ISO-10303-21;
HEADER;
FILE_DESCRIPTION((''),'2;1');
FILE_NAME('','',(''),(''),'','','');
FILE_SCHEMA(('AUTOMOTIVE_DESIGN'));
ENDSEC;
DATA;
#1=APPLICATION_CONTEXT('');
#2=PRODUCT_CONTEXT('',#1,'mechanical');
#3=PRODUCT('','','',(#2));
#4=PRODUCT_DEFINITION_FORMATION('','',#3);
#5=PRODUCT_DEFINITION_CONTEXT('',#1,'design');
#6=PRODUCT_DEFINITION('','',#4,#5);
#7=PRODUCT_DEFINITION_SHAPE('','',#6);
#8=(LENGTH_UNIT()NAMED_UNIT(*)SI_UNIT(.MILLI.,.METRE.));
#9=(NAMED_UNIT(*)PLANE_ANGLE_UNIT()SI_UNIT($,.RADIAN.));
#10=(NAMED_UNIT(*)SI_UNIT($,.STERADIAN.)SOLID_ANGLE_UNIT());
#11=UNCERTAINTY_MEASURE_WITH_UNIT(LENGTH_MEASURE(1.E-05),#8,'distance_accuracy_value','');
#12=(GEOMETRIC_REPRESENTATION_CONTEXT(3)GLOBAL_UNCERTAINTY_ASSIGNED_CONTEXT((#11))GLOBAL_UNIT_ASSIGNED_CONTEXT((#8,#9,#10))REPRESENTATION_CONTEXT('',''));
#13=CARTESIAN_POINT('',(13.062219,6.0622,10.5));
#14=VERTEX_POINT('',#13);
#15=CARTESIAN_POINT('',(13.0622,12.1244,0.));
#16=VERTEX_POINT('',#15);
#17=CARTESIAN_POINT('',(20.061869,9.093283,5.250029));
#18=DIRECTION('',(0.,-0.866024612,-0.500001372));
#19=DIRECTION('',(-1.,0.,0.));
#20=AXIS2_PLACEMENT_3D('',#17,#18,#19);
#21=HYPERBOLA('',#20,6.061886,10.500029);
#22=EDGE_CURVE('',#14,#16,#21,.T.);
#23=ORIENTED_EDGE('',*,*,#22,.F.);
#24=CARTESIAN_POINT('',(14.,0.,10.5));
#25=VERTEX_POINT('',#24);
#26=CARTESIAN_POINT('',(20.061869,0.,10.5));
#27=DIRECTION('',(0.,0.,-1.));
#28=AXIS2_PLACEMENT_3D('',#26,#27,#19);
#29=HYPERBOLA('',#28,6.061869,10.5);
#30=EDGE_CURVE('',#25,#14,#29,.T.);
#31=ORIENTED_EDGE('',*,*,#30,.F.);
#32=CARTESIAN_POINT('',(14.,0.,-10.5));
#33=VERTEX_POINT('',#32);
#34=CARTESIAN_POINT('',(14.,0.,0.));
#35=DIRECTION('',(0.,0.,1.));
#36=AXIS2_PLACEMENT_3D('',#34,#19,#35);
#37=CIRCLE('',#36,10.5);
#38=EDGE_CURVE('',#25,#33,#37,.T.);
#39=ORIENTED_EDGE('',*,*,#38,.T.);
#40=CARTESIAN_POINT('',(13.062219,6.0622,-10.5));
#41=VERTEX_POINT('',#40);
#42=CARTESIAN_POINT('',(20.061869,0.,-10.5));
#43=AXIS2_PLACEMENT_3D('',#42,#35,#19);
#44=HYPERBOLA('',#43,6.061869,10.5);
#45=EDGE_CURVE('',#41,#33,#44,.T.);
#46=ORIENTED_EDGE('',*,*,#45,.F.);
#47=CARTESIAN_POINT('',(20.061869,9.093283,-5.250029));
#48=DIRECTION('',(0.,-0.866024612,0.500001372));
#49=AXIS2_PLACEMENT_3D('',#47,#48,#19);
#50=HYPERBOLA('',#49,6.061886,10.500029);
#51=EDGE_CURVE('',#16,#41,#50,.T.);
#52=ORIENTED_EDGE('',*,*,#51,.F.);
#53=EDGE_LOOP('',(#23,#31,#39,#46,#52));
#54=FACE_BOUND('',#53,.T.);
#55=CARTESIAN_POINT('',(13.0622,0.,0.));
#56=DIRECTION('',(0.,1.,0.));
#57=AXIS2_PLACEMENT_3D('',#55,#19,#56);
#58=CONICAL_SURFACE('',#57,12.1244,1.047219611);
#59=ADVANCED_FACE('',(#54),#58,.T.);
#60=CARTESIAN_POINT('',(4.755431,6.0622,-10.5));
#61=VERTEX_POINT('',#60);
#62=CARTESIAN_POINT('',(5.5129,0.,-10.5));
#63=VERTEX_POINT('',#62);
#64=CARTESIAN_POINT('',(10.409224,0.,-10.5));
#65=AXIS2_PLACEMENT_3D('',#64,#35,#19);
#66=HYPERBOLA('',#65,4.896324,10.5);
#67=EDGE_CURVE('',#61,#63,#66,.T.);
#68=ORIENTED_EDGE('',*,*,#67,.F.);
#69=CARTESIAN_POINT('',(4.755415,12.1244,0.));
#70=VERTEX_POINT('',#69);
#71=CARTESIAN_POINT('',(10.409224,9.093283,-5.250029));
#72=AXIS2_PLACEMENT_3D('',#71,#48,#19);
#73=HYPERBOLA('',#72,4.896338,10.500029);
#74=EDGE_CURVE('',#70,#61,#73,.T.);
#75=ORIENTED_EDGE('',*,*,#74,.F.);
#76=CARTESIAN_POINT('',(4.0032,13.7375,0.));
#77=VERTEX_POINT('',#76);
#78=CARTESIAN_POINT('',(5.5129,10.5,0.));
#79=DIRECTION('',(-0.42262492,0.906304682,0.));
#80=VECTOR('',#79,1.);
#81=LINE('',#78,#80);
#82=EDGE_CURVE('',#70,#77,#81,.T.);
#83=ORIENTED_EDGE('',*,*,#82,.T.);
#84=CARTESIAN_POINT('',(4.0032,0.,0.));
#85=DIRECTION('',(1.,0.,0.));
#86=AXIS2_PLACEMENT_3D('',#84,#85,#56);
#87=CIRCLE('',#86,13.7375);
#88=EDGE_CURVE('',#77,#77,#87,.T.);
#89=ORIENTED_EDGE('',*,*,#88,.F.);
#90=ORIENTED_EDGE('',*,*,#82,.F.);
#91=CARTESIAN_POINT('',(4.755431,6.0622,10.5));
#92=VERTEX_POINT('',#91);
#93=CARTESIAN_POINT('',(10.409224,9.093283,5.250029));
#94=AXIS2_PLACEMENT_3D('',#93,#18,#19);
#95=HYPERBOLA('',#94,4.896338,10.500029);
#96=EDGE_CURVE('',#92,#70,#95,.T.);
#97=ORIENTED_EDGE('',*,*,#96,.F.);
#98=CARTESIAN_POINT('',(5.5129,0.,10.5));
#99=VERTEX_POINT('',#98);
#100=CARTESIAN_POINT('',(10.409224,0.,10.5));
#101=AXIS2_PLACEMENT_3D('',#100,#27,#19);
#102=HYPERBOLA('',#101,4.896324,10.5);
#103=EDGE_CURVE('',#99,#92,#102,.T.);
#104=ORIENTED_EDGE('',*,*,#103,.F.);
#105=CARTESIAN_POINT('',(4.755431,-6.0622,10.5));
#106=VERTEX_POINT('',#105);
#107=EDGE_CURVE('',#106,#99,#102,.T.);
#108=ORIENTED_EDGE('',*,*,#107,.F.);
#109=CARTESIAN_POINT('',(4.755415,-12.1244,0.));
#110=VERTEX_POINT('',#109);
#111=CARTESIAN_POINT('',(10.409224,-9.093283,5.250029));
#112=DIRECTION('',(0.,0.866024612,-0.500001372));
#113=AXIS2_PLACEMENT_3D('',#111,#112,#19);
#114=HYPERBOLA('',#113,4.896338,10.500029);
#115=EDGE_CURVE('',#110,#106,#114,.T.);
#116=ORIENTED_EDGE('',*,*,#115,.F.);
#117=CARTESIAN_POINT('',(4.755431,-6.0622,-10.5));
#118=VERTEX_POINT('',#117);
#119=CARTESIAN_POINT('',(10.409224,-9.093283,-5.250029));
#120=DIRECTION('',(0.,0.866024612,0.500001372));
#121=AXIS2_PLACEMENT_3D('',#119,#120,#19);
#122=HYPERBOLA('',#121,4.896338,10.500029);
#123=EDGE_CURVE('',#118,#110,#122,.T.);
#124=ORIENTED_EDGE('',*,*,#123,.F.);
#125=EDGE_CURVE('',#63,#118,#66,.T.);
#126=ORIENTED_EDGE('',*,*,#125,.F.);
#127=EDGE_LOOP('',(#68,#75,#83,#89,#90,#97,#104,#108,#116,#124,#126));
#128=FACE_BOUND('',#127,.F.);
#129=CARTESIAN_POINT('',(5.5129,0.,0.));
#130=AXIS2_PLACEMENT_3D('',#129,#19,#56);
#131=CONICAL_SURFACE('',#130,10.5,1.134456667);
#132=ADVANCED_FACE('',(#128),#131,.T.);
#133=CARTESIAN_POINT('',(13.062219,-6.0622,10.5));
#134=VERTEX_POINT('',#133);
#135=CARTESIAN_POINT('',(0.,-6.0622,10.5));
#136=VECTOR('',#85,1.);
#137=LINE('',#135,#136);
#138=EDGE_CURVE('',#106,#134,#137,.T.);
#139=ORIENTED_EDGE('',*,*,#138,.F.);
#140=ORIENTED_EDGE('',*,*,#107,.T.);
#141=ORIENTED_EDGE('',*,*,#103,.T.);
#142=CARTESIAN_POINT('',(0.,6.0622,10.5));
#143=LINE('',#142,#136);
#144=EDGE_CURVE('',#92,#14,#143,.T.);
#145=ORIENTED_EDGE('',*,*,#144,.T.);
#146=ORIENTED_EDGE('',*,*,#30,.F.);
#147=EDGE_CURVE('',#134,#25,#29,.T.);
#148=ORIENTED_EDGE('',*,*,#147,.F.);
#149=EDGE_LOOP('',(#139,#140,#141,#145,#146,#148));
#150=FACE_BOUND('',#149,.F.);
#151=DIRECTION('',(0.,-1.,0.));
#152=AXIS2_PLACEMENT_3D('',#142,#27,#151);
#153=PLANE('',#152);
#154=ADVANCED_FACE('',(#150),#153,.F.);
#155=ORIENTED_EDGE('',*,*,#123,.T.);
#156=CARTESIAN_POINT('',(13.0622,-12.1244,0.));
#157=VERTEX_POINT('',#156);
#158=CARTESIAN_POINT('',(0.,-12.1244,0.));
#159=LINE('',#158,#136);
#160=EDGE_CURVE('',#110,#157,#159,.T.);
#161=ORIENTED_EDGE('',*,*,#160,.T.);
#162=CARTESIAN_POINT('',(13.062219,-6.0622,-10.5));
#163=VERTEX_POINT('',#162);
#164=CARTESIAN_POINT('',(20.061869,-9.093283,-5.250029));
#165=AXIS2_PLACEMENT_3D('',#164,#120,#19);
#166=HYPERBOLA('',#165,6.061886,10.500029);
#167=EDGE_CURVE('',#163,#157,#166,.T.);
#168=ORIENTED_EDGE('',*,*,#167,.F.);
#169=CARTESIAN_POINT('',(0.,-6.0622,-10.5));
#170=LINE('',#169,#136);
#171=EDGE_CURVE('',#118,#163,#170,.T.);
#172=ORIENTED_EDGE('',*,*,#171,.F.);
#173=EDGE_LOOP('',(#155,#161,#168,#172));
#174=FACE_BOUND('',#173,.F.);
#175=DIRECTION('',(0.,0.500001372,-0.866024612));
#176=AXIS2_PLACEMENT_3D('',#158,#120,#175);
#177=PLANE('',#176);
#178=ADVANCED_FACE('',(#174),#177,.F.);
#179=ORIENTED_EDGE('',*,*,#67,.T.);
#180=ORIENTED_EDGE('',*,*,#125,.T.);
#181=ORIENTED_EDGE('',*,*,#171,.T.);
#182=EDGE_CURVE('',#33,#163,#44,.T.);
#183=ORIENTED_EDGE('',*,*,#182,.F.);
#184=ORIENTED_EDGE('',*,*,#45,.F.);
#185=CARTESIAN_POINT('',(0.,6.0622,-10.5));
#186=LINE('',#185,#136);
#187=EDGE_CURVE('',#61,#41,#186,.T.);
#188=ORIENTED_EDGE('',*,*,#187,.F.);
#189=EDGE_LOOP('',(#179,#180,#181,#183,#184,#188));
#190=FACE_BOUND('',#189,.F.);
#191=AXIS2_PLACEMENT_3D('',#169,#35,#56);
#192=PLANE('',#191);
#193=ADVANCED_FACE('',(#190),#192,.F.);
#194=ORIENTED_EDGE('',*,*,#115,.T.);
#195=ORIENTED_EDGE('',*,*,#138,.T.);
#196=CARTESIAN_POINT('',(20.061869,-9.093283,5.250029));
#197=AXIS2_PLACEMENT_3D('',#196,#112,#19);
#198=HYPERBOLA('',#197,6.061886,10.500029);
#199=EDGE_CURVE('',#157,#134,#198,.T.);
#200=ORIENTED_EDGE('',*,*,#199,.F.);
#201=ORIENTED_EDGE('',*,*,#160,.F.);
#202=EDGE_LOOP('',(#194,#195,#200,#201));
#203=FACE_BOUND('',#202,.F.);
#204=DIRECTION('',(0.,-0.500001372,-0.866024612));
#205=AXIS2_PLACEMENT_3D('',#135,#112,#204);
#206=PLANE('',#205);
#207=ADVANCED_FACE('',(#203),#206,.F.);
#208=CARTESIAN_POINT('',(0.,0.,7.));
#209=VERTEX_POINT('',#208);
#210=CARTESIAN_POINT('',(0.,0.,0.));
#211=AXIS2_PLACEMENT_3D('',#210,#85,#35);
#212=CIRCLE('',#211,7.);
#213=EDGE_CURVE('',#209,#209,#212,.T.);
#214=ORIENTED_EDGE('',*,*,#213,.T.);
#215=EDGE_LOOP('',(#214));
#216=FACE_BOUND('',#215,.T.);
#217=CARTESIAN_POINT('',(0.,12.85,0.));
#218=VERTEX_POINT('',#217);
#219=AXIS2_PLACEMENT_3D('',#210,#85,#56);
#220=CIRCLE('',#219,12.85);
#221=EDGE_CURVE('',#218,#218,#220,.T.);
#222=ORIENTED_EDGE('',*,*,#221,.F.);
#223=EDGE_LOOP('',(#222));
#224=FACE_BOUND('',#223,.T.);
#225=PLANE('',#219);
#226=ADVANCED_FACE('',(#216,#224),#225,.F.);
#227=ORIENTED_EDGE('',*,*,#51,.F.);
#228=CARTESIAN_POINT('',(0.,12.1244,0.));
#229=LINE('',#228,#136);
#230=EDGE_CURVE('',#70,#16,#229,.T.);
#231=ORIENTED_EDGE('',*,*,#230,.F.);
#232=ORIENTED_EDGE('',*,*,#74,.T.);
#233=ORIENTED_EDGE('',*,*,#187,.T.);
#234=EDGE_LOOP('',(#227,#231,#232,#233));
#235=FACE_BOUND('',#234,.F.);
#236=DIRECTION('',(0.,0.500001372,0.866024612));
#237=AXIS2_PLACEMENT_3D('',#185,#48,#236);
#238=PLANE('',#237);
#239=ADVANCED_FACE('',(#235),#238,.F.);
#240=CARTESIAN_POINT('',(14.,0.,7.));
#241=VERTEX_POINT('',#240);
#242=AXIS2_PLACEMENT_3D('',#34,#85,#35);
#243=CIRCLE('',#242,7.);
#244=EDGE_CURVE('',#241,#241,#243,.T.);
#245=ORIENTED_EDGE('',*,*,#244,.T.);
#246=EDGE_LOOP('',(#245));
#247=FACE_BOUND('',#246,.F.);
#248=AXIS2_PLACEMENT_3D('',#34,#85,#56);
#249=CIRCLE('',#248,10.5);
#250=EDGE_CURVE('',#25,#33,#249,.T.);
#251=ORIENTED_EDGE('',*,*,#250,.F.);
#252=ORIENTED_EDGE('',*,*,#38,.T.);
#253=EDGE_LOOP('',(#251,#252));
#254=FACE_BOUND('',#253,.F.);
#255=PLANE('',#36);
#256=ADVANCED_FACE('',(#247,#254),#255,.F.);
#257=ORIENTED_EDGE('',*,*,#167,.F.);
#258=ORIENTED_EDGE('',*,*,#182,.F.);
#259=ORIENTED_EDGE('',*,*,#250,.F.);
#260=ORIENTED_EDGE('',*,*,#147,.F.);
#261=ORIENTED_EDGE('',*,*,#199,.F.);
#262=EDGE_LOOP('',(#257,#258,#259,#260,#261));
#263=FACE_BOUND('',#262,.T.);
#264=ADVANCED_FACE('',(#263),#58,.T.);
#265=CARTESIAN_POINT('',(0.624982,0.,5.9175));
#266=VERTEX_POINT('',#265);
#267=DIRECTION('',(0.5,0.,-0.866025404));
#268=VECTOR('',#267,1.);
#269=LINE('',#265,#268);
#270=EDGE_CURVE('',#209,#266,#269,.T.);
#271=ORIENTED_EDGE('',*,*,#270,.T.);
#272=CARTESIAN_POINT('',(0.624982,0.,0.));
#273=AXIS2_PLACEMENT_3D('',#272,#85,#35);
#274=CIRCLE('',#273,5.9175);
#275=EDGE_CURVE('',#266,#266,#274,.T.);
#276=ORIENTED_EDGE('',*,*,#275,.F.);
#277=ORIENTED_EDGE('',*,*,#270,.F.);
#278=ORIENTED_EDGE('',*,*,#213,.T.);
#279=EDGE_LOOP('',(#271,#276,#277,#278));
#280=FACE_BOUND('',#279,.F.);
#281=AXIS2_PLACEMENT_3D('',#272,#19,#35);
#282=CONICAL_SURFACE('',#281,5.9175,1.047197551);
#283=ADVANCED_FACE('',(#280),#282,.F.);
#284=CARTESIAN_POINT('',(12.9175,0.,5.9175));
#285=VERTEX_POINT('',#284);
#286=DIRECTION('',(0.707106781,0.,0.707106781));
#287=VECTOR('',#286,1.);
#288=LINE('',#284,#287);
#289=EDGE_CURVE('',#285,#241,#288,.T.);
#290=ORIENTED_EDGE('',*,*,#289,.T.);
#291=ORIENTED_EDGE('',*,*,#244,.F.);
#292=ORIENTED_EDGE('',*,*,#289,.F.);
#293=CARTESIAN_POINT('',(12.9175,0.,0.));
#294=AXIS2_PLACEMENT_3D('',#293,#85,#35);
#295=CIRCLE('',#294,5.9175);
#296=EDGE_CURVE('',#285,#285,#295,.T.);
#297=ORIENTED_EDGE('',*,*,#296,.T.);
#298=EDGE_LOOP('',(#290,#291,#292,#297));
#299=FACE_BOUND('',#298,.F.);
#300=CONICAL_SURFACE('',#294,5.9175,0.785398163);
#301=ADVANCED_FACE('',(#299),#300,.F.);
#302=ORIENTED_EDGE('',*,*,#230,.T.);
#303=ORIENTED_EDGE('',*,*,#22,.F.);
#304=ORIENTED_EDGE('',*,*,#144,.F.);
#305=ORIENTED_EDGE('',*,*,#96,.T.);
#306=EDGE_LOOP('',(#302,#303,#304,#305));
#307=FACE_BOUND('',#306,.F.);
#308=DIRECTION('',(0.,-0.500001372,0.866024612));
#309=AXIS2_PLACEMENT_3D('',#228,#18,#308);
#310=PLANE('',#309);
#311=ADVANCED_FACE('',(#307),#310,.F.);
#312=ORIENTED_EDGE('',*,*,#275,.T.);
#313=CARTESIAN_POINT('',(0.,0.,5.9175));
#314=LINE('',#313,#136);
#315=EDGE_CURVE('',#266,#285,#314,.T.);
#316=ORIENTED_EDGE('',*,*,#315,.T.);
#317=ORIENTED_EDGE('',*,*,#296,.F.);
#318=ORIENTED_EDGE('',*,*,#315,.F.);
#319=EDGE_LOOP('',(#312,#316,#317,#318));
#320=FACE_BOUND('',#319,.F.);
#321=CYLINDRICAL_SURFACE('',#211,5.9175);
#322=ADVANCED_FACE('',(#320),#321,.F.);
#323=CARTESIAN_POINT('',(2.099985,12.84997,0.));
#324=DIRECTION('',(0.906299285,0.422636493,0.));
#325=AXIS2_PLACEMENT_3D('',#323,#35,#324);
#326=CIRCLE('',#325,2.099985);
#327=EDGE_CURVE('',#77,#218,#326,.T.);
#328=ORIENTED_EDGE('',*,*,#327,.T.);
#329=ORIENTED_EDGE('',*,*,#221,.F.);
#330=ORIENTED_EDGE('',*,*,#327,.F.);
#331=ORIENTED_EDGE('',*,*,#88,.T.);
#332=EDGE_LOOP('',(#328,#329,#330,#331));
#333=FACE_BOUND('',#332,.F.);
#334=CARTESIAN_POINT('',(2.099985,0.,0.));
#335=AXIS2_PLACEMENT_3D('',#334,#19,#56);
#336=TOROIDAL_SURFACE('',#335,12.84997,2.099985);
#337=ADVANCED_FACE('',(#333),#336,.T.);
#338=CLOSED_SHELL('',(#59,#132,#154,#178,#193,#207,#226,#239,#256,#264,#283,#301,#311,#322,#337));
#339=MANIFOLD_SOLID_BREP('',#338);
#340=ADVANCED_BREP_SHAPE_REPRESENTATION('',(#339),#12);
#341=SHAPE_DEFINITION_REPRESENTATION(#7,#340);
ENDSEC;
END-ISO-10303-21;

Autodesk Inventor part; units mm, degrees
ref_plane "YZ Plane" through (0, 0, 0) normal (1, 0, 0) x (0, 1, 0)
ref_plane "XZ Plane" through (0, 0, 0) normal (0, 1, 0) x (-1, 0, 0)
sketch "Sketch1" plane through (0, 0, 0) normal (0, 0, 1) x (1, 0, 0)
  line L0 (-3.2274, 0) -> (16.8712, 0) projected
  line L1 (5.5129, 10.5) -> (4.0032, 13.7375)
  line L2 (5.5129, 10.5) -> (14, 10.5) construction
  line L3 (14, 10.5) -> (14, 0) construction
  arc A0 (4.0032, 13.7375) -> (0, 12.85) centre (2.1, 12.85) ccw
  line L4 (5.5129, 10.5) -> (5.5129, 0)
  line L5 (0, -3.0688) -> (0, 18.4128) projected
  point P0 (0, 0)
  dimension "d2" = 21
  dimension "d4" = 29.9
  dimension "d5" = 2.1
  dimension "d15" = 14
  dimension "d16" = 25
revolve "Ring" add sketch "Sketch1" angle 360 about axis through (-10, 0, 0) along (1, 0, 0)
sketch "Sketch2" plane through (0, 0, 0) normal (-1, 0, 0) x (0, 0, 1)
  circle A0 centre (0, 0) radius 4.9
  line L0 (-10.5, -6.0622) -> (-10.5, 6.0622)
  line L1 (-10.5, 6.0622) -> (0, 12.1244)
  line L2 (0, 12.1244) -> (10.5, 6.0622)
  line L3 (10.5, 6.0622) -> (10.5, -6.0622)
  line L4 (10.5, -6.0622) -> (0, -12.1244)
  line L5 (0, -12.1244) -> (-10.5, -6.0622)
  circle A1 centre (0, 0) radius 12.85 projected
  dimension "d6" = 24.2487
extrude "Body" add sketch "Sketch2" against normal blind 14 contours A0 | L0 L1 L2 L3 L4 L5
sketch "Sketch3" plane through (0, 0, 0) normal (0, 0, 1) x (1, 0, 0)
  line L0 (4.7555, 12.1244) -> (14, 12.1244) projected
  line L1 (14, 6.0622) -> (14, 12.1244) projected
  line L2 (0, -12.85) -> (0, 12.85) projected
  line L3 (-2.8, 0) -> (16.8, 0) projected
  line L4 (13.0622, 12.1244) -> (14, 10.5)
  dimension "d10" = 30
  dimension "d11" = 21
revolve "Chamfer1" cut sketch "Sketch3" angle 360 about axis through (-10, 0, 0) along (1, 0, 0)
sketch "Sketch4" plane through (0, 0, 0) normal (-1, 0, 0) x (0, 0, 1)
  circle A0 centre (0, 0) radius 12.85 projected
hole "Thread" at (0, 0, 0) direction (1, 0, 0) diameter 11.835 end through all thread size "M14x2" class "6H" standard "ISO Metric profile"
chamfer "Chamfer2" distance 1.0825 angle 30 1 edges at (0, 0, -5.9175) measured on face at (0, 10.4003, -1.2628)
ref_plane "Work Plane1" through (44.5423, 0, 0) normal (0, 0, -1) x (-1, 0, 0)
chamfer "Chamfer3" distance 1.0825 angle 45 1 edges at (14, 0, -5.9175)
equation "\"d6\" = 1.1547 * SW"
equation "\"d7\" = KOH"
equation "\"d12\" = -0.5 * GD1 + 0.5 * NND"
equation "\"d46\" = -0.5 * GD1 + 0.5 * NND"
equation "\"d51\" = -0.5 * GD1 + 0.5 * NND"
equation "\"d2\" = SW"
equation "\"d4\" = LADI"
equation "\"d5\" = PHH"
equation "\"d15\" = KOH"
equation "\"d16\" = KEWI"
equation "\"d10\" = ANG1"
equation "\"d11\" = SW0"
equation "\"ANG1\" = 30deg"
equation "\"KEWI\" = 25deg"
equation "\"NND\" = 14"
equation "\"LADI\" = 29.9"
equation "\"SW\" = 21"
equation "\"PHH\" = 2.1"
equation "\"KOH\" = NND"
equation "\"SW0\" = 21"
equation "\"d1\" = LADI"
equation "\"d3\" = PHH"
equation "\"GUL\" = 0.541266 * PTC"
equation "\"RR\" = PHH"
equation "\"THREADDIA\" = 14"
equation "\"TOA\" = 30deg"
equation "\"PTC\" = 2"
equation "\"GAL\" = 0.541266 * PTC"
equation "\"E0\" = 1.155 * SW"
equation "\"GD1\" = 11.834936"
properties part number "ISO 4161 - M14" material "Stainless Steel"
